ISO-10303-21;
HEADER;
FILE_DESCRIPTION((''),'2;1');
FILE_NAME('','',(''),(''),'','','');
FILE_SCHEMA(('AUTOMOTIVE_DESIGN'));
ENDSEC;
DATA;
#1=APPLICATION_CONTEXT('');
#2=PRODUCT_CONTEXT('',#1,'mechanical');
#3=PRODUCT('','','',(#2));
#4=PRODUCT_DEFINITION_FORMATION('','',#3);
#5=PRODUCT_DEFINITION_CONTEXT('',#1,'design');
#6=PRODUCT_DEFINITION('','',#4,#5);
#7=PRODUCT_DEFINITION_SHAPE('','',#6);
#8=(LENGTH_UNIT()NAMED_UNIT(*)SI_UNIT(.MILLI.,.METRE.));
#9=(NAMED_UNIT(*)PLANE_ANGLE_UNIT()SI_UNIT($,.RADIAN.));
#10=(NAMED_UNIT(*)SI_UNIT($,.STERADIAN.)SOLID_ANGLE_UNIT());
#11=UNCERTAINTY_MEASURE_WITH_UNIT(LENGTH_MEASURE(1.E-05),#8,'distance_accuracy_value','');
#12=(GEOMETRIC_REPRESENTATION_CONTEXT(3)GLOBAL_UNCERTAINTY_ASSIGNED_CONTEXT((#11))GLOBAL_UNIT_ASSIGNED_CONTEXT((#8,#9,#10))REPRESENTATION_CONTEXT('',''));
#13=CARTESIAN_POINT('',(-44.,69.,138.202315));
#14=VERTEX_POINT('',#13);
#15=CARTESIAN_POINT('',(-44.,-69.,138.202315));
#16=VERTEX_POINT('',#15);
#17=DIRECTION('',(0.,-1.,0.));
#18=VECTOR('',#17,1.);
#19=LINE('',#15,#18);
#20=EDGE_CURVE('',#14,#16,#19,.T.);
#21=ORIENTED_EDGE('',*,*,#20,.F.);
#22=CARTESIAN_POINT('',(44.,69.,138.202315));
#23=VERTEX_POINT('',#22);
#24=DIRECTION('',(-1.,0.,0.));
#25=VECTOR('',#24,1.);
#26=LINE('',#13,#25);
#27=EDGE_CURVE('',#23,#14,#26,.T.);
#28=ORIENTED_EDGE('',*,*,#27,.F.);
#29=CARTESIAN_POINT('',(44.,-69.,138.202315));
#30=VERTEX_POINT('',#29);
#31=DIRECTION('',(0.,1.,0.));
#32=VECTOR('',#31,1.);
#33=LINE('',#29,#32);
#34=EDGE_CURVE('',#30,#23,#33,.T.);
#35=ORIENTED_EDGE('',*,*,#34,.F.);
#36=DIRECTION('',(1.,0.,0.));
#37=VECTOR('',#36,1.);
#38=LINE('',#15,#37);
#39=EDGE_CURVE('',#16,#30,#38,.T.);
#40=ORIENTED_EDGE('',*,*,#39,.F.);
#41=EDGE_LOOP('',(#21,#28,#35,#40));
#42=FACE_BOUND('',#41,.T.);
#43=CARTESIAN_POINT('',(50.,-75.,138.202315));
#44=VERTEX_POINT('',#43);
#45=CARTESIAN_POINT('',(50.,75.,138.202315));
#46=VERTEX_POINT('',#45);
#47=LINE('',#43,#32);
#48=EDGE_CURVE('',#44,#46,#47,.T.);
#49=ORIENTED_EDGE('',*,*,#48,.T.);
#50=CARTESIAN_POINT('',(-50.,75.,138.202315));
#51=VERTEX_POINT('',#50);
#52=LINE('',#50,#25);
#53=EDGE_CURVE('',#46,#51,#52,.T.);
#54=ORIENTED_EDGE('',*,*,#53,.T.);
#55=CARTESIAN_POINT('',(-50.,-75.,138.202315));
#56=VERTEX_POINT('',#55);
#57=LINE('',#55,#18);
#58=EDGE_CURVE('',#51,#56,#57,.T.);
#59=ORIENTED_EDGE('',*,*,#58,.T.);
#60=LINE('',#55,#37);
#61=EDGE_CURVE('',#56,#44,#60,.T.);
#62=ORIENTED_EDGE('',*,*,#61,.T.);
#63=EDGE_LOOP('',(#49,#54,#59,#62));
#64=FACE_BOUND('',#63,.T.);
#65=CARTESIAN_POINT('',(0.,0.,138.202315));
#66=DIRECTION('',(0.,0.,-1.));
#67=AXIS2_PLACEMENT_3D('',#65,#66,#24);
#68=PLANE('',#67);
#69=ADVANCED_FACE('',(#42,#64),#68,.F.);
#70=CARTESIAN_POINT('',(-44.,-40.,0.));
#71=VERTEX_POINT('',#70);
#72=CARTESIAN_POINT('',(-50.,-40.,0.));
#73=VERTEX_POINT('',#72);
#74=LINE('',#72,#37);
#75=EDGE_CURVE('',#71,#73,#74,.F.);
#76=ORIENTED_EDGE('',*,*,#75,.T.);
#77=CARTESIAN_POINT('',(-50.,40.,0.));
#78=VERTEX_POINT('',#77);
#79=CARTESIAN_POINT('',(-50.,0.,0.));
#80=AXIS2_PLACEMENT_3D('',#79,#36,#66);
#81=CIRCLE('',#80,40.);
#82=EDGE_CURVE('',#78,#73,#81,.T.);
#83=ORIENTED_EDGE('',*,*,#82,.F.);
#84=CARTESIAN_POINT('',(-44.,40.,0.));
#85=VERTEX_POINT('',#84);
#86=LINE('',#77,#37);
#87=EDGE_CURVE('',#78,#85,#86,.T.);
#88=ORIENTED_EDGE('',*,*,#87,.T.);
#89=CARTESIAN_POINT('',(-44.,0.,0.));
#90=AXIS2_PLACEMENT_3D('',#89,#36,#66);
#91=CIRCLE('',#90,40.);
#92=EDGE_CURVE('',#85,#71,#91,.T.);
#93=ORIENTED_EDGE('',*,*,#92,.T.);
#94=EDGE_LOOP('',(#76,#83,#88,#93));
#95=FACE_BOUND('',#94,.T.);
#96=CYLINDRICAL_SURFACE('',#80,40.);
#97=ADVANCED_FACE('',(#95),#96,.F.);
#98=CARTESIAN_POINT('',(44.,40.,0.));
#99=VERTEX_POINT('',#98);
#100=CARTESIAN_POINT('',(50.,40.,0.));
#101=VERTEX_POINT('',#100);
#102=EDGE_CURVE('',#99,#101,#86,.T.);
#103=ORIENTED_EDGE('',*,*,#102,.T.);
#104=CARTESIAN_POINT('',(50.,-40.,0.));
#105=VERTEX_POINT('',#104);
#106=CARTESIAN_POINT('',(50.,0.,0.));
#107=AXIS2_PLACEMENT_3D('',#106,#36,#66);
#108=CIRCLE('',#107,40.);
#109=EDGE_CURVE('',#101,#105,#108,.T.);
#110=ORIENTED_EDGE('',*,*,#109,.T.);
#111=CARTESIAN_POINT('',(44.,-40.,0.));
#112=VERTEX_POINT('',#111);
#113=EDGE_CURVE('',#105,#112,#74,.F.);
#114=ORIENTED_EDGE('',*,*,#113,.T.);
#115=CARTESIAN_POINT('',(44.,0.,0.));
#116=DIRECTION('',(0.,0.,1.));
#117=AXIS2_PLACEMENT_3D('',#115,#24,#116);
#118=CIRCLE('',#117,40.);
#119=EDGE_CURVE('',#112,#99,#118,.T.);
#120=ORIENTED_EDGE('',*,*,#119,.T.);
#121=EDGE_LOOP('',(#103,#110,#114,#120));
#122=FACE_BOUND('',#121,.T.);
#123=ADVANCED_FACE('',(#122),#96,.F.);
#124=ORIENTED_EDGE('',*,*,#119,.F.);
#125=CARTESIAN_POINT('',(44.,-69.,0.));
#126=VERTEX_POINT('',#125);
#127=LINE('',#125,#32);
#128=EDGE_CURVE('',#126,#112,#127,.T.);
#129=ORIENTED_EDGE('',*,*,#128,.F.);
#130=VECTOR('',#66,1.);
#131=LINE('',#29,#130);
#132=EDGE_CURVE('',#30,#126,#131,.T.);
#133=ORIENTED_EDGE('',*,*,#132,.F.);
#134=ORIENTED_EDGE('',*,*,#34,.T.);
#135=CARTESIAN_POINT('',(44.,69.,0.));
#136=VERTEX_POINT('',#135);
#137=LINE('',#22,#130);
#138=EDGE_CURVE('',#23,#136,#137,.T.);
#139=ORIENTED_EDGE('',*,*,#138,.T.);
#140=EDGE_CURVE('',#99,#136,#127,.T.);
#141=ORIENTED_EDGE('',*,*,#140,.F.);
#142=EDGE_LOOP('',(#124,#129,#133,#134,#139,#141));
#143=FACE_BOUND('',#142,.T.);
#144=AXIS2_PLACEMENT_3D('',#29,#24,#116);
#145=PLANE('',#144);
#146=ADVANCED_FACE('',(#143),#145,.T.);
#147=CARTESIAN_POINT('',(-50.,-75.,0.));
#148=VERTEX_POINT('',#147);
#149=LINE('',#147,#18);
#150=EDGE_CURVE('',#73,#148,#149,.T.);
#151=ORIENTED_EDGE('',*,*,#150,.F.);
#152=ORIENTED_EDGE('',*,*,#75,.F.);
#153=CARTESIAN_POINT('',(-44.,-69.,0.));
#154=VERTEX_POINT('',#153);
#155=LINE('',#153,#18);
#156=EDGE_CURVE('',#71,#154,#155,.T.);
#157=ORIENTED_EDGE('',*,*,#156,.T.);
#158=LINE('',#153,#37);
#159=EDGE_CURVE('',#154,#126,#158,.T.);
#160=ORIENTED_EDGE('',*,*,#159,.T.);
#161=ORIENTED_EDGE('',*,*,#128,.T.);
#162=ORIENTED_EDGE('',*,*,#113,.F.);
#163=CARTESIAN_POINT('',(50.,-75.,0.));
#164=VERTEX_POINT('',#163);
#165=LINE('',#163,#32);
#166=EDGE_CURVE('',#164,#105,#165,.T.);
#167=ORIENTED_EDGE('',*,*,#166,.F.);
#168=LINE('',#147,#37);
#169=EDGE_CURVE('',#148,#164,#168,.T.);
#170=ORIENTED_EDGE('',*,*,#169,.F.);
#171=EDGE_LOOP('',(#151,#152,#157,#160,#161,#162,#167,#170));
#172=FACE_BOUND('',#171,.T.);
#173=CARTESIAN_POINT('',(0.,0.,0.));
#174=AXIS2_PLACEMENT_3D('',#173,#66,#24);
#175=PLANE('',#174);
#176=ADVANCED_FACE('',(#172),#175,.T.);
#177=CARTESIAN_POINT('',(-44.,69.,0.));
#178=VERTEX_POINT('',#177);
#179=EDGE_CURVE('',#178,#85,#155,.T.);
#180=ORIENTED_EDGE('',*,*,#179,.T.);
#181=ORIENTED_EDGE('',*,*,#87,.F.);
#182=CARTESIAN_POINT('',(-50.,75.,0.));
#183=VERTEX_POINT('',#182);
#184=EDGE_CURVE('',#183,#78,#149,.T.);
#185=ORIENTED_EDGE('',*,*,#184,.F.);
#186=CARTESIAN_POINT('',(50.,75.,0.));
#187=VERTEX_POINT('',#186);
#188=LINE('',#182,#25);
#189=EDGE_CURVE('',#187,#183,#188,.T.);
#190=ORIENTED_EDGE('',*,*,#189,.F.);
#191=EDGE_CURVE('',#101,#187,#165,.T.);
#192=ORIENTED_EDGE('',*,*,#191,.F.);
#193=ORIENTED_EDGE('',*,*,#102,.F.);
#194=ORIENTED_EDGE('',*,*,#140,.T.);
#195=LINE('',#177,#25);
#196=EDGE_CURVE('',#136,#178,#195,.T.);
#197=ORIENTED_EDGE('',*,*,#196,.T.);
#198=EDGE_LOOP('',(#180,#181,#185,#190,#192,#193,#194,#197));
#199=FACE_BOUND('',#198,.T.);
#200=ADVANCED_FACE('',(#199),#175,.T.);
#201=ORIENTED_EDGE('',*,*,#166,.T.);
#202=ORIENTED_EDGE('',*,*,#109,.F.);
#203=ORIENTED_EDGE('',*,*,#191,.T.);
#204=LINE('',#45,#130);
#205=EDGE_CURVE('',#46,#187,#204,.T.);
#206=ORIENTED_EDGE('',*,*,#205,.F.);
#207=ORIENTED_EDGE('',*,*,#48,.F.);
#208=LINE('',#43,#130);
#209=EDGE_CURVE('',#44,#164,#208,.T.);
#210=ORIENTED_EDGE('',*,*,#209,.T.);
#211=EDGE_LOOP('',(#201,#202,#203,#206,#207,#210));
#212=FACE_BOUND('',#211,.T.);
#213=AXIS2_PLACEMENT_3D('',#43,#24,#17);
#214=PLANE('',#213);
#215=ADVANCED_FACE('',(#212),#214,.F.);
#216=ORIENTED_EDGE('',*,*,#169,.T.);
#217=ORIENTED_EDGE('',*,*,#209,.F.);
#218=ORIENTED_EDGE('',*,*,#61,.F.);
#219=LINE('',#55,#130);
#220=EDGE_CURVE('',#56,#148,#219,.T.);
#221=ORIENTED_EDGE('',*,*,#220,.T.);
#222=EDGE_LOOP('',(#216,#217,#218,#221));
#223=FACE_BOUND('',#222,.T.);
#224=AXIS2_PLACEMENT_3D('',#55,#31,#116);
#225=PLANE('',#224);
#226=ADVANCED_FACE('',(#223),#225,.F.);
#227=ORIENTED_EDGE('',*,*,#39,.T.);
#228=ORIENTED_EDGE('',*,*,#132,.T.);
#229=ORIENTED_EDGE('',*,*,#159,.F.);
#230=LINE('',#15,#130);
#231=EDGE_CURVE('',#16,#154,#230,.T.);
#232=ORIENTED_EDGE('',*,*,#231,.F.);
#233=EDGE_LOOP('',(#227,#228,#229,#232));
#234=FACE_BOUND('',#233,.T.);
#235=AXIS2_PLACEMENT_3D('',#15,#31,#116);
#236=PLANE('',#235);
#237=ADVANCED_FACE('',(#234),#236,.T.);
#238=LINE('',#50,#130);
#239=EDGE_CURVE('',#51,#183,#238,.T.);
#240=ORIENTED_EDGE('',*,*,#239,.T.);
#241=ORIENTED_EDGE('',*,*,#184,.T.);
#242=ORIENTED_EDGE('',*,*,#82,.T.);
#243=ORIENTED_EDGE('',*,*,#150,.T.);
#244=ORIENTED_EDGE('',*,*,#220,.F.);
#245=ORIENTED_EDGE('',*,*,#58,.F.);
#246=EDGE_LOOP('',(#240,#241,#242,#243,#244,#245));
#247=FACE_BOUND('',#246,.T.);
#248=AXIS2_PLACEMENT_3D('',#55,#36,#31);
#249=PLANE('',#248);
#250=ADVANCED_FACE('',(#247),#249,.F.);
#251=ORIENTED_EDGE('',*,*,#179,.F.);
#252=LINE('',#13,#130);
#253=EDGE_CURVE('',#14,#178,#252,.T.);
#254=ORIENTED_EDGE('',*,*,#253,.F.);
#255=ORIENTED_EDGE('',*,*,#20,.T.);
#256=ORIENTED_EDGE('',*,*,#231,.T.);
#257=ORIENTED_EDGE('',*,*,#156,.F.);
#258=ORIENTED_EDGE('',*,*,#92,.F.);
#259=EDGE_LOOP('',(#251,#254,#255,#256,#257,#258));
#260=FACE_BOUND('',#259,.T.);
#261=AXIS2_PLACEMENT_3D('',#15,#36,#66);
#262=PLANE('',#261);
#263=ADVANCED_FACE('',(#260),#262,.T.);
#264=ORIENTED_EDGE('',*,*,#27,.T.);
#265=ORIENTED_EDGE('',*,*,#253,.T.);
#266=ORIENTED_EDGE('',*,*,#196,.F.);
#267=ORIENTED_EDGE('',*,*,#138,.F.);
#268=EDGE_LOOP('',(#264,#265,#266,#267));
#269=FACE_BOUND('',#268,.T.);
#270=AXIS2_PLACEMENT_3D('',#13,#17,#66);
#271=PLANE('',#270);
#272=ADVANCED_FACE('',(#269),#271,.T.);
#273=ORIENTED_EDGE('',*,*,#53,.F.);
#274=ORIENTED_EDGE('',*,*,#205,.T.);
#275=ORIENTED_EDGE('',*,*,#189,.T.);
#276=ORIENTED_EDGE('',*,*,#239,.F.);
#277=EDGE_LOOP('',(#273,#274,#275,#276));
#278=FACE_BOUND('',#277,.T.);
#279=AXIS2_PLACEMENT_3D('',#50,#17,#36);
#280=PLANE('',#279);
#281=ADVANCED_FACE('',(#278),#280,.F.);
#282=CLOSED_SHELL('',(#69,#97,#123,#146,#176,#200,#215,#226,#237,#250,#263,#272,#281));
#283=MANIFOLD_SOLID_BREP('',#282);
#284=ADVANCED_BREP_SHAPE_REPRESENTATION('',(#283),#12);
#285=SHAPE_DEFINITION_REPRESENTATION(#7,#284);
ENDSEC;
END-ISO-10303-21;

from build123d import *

# Parameters (mm, degrees)
SKETCH1_W               = 100
SKETCH1_H               = 150
SKETCH1_W_2             = 88
SKETCH1_H_2             = 138
BOSS_EXTRUDE1_DEPTH     = 138.202315188
SKETCH2_R               = 40
CUT_EXTRUDE1_DEPTH      = 51
CUT_EXTRUDE1_DEPTH_BACK = 51


with BuildPart() as part:
    # Sketch1 → Boss-Extrude1 (new body)
    with BuildSketch(Plane.XY):
        Rectangle(SKETCH1_W, SKETCH1_H)
        Rectangle(SKETCH1_W_2, SKETCH1_H_2, mode=Mode.SUBTRACT)
    extrude(amount=BOSS_EXTRUDE1_DEPTH)

    # Sketch2 → Cut-Extrude1 (cut, two sides)
    with BuildSketch(Plane(origin=(0, 0, 0), x_dir=(0, 0, -1), z_dir=(1, 0, 0))) as cut_extrude1_sk:
        Circle(SKETCH2_R)
    extrude(amount=CUT_EXTRUDE1_DEPTH, mode=Mode.SUBTRACT)
    extrude(cut_extrude1_sk.sketch, amount=-CUT_EXTRUDE1_DEPTH_BACK, mode=Mode.SUBTRACT)


solid = part.part
